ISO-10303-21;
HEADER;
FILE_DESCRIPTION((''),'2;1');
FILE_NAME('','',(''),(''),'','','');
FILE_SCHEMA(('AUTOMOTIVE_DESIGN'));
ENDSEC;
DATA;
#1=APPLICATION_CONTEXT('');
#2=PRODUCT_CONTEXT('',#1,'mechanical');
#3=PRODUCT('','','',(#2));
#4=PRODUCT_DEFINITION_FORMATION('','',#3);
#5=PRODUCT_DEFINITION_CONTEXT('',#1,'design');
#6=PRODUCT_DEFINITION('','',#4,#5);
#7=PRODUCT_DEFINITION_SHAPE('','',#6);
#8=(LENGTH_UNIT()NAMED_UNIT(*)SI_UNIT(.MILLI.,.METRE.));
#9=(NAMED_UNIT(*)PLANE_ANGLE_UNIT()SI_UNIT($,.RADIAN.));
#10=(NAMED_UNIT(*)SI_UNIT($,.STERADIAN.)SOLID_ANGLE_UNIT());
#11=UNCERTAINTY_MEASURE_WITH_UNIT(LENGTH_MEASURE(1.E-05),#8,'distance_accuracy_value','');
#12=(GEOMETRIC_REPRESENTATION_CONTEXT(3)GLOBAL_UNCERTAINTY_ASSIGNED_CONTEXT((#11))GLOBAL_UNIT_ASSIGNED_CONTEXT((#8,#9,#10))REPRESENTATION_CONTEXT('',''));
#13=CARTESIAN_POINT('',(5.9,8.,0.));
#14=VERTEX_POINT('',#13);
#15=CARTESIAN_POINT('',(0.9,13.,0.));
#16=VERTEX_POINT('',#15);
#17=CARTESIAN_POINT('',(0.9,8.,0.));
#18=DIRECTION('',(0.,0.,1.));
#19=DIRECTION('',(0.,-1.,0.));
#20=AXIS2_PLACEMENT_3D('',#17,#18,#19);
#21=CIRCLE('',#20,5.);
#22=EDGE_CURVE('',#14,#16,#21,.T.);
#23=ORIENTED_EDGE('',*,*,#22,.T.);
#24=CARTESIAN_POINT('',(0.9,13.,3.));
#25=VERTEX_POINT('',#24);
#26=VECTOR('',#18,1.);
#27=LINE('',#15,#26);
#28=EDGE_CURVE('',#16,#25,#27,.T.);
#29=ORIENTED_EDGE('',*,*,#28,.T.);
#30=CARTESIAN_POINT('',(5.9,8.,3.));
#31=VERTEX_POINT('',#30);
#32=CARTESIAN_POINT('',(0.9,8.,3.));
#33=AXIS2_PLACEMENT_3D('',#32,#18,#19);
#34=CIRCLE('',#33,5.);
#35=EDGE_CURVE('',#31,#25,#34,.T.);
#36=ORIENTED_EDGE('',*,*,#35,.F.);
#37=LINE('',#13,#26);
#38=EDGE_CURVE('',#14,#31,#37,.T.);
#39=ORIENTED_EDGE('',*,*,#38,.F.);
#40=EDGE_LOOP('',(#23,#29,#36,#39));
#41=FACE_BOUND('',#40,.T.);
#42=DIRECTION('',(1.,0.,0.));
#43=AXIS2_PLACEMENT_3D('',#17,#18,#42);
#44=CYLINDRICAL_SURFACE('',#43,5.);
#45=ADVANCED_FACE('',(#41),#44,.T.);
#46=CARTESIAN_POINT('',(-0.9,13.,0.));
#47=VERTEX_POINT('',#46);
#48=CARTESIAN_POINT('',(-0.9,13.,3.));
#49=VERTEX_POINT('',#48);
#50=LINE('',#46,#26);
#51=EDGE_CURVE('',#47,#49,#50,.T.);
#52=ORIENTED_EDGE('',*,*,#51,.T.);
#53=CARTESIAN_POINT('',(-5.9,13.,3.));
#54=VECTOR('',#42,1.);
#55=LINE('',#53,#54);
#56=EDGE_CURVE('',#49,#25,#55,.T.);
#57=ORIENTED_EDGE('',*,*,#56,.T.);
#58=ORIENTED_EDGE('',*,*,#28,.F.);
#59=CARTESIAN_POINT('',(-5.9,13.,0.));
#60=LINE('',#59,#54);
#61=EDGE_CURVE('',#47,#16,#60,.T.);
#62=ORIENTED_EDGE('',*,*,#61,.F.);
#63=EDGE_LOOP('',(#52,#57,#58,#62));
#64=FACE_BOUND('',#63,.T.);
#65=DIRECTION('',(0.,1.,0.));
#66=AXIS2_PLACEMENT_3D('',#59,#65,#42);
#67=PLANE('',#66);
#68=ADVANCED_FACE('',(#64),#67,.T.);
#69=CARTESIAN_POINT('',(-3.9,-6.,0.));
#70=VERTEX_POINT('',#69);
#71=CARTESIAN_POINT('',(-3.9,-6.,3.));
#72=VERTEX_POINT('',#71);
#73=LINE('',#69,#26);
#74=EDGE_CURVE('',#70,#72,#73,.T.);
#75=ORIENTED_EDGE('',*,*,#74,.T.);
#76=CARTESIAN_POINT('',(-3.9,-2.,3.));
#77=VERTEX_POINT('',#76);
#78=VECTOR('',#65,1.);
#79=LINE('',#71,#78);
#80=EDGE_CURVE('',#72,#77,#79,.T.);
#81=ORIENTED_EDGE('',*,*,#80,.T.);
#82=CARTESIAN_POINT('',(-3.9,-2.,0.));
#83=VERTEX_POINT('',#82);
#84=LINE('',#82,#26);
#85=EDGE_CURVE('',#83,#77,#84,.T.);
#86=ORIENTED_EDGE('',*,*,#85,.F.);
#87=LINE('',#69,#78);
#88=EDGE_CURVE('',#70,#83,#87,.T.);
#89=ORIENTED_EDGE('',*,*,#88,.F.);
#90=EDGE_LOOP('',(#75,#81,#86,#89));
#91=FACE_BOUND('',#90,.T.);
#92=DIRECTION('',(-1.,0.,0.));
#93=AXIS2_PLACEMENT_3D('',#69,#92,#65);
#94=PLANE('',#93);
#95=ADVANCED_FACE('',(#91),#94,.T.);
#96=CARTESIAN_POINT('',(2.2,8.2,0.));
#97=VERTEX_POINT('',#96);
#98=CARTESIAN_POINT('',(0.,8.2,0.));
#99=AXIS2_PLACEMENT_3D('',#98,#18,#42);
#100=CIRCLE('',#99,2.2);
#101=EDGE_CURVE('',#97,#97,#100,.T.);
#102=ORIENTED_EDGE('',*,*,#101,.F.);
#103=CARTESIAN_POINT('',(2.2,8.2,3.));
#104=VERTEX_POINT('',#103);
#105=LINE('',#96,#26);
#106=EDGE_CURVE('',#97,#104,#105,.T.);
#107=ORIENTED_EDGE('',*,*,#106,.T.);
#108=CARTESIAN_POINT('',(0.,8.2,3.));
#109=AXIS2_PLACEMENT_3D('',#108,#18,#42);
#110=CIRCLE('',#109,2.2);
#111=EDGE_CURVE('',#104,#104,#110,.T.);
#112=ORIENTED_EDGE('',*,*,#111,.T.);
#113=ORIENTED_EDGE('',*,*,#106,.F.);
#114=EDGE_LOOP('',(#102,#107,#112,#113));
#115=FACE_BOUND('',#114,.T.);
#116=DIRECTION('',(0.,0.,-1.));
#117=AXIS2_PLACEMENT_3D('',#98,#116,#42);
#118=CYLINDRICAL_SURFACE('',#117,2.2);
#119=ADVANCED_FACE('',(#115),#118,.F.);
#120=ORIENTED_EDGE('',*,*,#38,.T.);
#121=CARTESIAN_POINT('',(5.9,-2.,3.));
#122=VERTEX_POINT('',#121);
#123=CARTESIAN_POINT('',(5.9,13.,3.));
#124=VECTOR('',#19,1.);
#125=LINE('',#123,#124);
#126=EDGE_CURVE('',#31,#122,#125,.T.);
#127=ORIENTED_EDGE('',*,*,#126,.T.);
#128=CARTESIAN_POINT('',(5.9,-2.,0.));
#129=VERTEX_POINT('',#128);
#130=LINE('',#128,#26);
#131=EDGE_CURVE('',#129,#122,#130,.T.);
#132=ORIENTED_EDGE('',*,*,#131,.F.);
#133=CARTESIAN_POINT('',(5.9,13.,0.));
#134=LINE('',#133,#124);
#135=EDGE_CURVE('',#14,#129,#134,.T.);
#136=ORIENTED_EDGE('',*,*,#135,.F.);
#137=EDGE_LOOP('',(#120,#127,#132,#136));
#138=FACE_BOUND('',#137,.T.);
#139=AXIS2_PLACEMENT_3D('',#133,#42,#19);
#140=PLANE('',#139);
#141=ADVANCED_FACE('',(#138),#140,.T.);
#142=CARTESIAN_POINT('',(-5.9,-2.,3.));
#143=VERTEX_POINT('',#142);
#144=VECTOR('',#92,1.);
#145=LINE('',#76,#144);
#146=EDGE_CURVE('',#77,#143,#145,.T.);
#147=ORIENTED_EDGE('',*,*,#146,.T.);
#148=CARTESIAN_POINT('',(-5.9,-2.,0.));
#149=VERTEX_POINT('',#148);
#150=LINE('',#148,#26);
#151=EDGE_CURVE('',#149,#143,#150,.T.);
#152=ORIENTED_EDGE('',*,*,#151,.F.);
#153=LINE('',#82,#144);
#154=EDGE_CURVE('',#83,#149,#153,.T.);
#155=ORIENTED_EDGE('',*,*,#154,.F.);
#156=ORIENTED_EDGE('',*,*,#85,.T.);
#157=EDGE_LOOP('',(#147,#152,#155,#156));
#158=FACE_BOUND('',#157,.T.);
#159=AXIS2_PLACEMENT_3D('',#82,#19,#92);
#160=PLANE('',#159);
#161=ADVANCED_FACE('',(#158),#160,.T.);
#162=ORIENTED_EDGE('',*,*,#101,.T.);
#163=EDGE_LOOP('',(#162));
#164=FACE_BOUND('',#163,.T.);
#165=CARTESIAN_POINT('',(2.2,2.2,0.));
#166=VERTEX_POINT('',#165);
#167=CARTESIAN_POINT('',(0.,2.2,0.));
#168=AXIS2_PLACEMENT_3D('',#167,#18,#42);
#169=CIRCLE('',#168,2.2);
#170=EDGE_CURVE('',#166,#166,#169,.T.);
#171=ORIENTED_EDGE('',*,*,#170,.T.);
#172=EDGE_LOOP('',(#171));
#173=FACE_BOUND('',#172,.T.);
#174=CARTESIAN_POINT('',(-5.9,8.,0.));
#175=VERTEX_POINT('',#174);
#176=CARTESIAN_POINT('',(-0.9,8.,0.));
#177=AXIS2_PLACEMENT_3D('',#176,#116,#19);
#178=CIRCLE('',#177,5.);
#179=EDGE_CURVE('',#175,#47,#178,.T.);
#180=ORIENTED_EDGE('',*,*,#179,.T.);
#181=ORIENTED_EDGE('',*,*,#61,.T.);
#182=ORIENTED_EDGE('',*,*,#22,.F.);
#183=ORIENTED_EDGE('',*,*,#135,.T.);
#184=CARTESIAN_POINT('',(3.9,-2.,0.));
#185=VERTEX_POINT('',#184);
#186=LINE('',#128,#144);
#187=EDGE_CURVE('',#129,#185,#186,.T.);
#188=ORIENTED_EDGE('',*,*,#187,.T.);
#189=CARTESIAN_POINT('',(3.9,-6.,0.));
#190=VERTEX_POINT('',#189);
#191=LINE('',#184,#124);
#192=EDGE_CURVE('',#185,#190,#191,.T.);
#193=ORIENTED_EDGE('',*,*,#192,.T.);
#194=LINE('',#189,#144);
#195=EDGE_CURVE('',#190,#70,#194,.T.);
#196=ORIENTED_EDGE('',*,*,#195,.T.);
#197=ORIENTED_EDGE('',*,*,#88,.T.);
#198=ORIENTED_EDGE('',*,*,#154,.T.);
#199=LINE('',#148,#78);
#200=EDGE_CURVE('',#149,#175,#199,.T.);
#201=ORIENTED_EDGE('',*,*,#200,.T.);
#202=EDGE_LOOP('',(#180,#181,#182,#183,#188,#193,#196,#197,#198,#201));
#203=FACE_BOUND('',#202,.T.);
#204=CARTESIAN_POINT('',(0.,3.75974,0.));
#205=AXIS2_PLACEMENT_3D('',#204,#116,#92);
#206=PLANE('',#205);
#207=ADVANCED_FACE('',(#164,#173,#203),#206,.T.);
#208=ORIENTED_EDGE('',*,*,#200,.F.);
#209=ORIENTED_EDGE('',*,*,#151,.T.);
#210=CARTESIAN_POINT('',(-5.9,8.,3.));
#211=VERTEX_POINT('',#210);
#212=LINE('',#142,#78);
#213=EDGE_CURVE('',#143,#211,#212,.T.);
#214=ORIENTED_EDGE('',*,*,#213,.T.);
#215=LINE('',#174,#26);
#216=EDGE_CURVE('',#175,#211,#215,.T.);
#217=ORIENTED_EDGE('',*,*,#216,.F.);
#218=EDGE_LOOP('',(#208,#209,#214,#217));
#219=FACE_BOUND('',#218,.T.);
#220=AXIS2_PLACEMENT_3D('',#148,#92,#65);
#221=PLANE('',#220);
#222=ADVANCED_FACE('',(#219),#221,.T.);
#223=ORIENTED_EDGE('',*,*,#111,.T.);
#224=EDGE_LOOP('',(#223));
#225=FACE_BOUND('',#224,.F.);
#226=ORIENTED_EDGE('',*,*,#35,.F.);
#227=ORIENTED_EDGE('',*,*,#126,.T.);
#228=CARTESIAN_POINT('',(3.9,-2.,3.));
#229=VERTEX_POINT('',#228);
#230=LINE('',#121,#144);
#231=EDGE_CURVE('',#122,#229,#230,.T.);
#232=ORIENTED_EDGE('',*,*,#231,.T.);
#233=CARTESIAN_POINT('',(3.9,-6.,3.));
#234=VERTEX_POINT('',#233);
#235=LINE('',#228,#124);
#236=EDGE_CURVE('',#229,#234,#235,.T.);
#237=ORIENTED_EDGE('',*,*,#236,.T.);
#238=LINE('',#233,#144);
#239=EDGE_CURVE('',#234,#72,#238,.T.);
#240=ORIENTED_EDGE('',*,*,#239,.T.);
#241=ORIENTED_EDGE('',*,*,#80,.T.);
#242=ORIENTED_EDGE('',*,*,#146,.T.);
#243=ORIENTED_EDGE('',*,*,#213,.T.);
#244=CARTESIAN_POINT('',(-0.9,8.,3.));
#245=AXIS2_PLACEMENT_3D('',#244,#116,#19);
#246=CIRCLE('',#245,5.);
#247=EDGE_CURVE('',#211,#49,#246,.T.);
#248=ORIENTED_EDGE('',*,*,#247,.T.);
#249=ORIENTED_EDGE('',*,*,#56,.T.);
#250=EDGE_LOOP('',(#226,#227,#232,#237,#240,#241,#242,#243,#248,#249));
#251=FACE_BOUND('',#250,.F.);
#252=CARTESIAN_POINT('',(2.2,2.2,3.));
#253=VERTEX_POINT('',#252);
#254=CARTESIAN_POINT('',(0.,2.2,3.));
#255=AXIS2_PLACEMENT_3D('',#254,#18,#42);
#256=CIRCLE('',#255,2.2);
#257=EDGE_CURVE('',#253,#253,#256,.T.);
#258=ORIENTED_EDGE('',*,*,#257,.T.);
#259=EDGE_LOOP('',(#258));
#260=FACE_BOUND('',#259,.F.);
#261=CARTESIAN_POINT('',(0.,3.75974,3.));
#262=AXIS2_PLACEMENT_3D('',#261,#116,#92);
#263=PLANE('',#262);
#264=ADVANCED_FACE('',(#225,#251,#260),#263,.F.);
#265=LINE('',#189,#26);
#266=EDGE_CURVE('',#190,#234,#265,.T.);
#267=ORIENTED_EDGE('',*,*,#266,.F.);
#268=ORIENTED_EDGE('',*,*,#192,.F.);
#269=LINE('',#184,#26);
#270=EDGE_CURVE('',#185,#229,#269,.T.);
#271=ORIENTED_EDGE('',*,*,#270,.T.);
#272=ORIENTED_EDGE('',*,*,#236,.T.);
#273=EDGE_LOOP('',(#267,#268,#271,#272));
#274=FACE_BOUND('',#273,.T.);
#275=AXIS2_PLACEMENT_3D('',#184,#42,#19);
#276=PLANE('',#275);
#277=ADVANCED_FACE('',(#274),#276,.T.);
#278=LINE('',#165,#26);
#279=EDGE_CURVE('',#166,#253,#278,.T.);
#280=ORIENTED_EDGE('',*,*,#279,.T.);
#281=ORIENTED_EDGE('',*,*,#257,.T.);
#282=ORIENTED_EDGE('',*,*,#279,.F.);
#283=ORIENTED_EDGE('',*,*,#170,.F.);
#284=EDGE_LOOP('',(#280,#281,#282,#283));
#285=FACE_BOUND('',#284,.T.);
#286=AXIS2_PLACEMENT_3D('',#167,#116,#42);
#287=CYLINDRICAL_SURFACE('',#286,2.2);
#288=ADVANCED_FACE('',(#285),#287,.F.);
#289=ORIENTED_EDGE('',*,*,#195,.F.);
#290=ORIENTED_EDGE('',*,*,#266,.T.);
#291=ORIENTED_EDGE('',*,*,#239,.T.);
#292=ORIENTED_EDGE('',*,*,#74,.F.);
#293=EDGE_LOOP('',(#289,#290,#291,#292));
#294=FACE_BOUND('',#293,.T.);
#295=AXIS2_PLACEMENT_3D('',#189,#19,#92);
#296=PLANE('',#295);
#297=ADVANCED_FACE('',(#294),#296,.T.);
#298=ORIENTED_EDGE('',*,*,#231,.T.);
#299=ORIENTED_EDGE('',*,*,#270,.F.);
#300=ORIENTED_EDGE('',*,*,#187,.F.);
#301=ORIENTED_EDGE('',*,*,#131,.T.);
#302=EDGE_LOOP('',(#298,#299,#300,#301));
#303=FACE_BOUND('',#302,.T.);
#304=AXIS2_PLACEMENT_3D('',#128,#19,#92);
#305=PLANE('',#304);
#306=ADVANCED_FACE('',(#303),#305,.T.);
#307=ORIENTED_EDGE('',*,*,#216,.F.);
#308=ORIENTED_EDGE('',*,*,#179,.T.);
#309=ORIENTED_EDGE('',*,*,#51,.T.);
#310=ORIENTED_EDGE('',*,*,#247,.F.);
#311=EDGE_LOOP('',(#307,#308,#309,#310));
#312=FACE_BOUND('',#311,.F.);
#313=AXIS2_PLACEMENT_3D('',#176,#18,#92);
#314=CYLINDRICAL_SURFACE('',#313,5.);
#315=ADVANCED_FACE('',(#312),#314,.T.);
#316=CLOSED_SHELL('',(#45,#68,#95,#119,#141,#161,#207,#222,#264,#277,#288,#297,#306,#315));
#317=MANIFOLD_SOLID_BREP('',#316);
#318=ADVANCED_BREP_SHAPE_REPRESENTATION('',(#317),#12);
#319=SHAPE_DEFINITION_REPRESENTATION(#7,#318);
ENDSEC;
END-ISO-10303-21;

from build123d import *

# Parameters (mm, degrees)
SKETCH001_R = 2.2
PAD_DEPTH   = 3
FILLET_R    = 5


with BuildPart() as part:
    # Sketch001 → Pad (new body)
    with BuildSketch(Plane.XY):
        Polygon((3.9, -6), (-3.9, -6), (-3.9, -2), (-5.9, -2), (-5.9, 13), (5.9, 13), (5.9, -2), (3.9, -2), align=None)
        with Locations((0, 8.2)):
            Circle(SKETCH001_R, mode=Mode.SUBTRACT)
        with Locations((0, 2.2)):
            Circle(SKETCH001_R, mode=Mode.SUBTRACT)
    extrude(amount=PAD_DEPTH)

    # Fillet
    fillet_edges = [part.edges().sort_by_distance(p)[0] for p in [
        (5.9, 13, 1.5),
        (-5.9, 13, 1.5),
    ]]
    fillet(fillet_edges, radius=FILLET_R)


solid = part.part
